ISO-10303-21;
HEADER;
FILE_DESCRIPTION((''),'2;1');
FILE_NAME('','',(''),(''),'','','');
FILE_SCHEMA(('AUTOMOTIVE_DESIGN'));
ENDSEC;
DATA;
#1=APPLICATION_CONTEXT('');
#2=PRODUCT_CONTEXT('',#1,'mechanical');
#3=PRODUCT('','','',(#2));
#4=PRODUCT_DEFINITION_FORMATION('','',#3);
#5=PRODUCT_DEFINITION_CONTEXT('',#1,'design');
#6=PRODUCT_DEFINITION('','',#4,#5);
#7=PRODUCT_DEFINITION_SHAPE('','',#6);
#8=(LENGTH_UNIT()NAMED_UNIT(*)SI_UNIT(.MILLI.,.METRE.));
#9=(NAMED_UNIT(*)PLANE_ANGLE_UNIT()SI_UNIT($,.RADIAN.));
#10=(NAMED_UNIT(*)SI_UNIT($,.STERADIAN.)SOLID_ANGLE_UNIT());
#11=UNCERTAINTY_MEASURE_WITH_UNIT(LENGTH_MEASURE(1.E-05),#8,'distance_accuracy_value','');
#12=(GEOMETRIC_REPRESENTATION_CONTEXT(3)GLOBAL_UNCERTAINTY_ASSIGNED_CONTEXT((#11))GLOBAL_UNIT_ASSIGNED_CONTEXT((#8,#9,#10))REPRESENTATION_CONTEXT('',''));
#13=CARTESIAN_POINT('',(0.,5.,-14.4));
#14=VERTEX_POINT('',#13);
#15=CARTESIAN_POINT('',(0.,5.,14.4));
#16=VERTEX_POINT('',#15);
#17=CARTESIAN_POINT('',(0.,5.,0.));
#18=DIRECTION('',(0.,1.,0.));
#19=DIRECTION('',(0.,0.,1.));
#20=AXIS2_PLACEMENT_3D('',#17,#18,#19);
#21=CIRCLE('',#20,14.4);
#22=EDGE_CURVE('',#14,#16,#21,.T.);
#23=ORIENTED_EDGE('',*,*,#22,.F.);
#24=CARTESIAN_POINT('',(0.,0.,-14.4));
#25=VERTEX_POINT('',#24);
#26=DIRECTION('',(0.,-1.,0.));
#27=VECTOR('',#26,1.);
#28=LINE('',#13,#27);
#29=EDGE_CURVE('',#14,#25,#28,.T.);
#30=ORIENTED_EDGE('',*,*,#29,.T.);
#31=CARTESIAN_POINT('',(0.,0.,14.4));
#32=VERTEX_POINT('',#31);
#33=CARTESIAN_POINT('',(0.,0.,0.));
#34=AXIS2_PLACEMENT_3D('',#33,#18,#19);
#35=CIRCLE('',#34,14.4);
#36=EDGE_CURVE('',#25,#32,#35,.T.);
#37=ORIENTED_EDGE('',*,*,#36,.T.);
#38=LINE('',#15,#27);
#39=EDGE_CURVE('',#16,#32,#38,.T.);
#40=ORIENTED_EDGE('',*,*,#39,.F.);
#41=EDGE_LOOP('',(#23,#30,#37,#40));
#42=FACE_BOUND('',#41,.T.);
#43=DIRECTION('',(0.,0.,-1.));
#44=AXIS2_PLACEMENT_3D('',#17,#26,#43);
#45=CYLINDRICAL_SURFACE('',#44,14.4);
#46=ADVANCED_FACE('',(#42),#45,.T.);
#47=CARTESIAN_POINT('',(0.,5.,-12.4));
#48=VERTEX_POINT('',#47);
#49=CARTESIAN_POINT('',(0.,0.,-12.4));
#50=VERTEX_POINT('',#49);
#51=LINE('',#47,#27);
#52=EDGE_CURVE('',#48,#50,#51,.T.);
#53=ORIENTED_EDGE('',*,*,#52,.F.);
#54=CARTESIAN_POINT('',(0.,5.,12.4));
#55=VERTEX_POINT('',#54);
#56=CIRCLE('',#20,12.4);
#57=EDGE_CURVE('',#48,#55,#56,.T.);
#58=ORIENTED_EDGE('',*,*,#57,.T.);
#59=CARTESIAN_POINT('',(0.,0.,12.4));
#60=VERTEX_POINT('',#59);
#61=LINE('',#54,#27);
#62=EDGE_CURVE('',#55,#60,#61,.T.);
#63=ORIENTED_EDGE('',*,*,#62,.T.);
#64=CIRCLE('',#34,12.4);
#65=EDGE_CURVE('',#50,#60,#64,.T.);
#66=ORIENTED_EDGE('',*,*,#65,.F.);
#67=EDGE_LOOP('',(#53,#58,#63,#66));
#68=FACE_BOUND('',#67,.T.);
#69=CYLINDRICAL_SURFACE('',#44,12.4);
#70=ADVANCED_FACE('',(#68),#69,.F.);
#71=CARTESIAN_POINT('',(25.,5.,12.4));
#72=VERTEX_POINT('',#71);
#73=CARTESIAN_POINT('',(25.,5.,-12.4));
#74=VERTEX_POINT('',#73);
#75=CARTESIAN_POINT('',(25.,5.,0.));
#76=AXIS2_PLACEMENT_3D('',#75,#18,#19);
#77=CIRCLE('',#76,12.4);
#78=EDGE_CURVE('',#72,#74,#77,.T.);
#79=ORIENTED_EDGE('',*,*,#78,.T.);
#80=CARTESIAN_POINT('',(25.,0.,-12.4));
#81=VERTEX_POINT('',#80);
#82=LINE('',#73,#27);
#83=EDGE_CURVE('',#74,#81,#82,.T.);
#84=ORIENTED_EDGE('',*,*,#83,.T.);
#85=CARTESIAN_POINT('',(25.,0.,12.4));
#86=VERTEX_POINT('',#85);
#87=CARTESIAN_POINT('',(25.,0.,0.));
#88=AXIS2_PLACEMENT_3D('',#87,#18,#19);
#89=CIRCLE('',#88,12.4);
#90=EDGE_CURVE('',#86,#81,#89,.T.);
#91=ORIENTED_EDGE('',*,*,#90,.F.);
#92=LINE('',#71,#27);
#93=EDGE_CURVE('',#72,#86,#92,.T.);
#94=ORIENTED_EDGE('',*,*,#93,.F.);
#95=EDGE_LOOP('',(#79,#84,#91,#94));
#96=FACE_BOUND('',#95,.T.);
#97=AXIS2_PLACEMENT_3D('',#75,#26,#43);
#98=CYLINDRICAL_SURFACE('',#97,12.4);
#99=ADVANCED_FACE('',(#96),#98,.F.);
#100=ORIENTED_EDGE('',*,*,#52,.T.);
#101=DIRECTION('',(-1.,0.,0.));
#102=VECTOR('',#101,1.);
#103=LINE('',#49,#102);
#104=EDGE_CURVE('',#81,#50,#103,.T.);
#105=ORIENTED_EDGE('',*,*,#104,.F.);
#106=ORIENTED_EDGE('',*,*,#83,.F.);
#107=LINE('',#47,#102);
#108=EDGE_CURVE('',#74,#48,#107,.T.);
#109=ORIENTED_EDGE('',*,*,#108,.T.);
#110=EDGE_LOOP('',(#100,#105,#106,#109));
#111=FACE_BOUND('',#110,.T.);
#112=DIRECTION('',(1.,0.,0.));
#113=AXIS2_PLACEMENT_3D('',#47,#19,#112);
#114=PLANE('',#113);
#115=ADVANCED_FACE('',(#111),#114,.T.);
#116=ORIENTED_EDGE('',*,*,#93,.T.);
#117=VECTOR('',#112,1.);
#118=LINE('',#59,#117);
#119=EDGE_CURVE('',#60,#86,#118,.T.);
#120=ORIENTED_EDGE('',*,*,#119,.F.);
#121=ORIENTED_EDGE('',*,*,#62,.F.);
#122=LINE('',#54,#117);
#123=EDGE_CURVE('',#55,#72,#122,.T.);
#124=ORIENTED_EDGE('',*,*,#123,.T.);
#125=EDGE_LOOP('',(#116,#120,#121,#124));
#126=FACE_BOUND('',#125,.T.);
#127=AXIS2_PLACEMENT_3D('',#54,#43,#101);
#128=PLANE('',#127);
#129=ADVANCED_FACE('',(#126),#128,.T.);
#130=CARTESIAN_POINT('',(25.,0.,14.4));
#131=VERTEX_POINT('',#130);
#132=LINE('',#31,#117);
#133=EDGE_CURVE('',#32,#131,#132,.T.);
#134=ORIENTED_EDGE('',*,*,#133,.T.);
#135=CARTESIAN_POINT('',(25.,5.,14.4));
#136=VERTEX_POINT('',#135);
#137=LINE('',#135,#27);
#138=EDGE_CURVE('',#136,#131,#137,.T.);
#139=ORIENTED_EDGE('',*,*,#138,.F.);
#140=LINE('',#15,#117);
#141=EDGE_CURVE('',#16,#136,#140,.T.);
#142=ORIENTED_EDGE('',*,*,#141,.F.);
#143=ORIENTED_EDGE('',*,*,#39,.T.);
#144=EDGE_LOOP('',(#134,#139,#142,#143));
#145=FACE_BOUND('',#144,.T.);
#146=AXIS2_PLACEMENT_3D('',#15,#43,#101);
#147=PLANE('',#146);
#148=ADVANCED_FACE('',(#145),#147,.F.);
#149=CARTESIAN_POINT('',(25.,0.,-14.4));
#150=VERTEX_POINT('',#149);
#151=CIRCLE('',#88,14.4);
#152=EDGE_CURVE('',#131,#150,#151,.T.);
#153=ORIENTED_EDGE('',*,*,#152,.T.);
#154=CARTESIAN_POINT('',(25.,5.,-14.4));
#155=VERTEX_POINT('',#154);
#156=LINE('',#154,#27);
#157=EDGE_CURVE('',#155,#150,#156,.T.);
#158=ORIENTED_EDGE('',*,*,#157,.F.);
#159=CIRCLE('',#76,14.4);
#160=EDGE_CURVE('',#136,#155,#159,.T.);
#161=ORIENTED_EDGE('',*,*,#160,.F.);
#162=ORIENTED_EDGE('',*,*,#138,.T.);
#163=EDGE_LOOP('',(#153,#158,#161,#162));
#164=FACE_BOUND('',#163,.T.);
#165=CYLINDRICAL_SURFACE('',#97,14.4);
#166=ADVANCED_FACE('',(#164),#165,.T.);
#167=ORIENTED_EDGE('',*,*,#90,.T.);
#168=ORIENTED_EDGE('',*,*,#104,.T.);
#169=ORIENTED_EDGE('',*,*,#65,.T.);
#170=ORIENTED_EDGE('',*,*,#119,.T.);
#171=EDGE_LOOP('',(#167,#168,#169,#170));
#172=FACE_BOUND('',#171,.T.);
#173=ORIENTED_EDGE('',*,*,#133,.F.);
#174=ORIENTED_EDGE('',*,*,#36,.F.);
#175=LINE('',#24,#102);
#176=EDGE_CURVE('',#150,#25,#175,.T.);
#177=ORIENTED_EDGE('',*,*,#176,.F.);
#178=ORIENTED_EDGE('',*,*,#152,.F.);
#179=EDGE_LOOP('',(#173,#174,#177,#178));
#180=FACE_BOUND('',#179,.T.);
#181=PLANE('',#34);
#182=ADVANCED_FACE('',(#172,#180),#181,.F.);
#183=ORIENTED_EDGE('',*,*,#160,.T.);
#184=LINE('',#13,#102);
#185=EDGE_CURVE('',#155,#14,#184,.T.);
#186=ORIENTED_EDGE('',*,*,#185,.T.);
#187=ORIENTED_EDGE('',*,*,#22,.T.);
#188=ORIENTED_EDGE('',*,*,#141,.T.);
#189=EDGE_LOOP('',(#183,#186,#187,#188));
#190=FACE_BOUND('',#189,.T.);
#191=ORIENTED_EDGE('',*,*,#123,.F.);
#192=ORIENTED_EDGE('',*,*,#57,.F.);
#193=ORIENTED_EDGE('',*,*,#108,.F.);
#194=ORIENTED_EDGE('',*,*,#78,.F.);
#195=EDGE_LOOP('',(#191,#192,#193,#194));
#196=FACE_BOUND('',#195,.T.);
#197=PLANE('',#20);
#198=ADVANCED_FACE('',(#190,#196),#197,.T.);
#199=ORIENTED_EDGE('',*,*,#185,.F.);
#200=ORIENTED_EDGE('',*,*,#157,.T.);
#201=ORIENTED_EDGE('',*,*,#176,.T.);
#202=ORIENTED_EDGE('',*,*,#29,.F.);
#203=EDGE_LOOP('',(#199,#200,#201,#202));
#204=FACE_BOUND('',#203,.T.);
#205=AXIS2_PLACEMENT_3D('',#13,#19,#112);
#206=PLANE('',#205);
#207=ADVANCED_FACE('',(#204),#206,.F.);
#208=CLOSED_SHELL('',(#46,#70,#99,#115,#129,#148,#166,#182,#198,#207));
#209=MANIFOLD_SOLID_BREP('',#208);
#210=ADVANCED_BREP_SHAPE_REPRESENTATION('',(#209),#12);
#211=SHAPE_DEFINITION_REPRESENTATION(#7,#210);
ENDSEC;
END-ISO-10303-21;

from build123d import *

# Parameters (mm, degrees)
BOSS_EXTRUDE1_DEPTH = 5


with BuildPart() as part:
    # Sketch1 → Boss-Extrude1 (new body)
    with BuildSketch(Plane(origin=(0, 0, 0), x_dir=(1, 0, 0), z_dir=(0, 1, 0))):
        with BuildLine():
            Line((0, 14.4), (25, 14.4))
            ThreePointArc((25, 14.4), (39.4, 0), (25, -14.4))
            Line((25, -14.4), (0, -14.4))
            ThreePointArc((0, -14.4), (-14.4, 0), (0, 14.4))
        make_face()
        with BuildLine():
            Line((0, 12.4), (25, 12.4))
            ThreePointArc((25, 12.4), (37.4, 0), (25, -12.4))
            Line((25, -12.4), (0, -12.4))
            ThreePointArc((0, -12.4), (-12.4, 0), (0, 12.4))
        make_face(mode=Mode.SUBTRACT)
    extrude(amount=BOSS_EXTRUDE1_DEPTH)


solid = part.part
